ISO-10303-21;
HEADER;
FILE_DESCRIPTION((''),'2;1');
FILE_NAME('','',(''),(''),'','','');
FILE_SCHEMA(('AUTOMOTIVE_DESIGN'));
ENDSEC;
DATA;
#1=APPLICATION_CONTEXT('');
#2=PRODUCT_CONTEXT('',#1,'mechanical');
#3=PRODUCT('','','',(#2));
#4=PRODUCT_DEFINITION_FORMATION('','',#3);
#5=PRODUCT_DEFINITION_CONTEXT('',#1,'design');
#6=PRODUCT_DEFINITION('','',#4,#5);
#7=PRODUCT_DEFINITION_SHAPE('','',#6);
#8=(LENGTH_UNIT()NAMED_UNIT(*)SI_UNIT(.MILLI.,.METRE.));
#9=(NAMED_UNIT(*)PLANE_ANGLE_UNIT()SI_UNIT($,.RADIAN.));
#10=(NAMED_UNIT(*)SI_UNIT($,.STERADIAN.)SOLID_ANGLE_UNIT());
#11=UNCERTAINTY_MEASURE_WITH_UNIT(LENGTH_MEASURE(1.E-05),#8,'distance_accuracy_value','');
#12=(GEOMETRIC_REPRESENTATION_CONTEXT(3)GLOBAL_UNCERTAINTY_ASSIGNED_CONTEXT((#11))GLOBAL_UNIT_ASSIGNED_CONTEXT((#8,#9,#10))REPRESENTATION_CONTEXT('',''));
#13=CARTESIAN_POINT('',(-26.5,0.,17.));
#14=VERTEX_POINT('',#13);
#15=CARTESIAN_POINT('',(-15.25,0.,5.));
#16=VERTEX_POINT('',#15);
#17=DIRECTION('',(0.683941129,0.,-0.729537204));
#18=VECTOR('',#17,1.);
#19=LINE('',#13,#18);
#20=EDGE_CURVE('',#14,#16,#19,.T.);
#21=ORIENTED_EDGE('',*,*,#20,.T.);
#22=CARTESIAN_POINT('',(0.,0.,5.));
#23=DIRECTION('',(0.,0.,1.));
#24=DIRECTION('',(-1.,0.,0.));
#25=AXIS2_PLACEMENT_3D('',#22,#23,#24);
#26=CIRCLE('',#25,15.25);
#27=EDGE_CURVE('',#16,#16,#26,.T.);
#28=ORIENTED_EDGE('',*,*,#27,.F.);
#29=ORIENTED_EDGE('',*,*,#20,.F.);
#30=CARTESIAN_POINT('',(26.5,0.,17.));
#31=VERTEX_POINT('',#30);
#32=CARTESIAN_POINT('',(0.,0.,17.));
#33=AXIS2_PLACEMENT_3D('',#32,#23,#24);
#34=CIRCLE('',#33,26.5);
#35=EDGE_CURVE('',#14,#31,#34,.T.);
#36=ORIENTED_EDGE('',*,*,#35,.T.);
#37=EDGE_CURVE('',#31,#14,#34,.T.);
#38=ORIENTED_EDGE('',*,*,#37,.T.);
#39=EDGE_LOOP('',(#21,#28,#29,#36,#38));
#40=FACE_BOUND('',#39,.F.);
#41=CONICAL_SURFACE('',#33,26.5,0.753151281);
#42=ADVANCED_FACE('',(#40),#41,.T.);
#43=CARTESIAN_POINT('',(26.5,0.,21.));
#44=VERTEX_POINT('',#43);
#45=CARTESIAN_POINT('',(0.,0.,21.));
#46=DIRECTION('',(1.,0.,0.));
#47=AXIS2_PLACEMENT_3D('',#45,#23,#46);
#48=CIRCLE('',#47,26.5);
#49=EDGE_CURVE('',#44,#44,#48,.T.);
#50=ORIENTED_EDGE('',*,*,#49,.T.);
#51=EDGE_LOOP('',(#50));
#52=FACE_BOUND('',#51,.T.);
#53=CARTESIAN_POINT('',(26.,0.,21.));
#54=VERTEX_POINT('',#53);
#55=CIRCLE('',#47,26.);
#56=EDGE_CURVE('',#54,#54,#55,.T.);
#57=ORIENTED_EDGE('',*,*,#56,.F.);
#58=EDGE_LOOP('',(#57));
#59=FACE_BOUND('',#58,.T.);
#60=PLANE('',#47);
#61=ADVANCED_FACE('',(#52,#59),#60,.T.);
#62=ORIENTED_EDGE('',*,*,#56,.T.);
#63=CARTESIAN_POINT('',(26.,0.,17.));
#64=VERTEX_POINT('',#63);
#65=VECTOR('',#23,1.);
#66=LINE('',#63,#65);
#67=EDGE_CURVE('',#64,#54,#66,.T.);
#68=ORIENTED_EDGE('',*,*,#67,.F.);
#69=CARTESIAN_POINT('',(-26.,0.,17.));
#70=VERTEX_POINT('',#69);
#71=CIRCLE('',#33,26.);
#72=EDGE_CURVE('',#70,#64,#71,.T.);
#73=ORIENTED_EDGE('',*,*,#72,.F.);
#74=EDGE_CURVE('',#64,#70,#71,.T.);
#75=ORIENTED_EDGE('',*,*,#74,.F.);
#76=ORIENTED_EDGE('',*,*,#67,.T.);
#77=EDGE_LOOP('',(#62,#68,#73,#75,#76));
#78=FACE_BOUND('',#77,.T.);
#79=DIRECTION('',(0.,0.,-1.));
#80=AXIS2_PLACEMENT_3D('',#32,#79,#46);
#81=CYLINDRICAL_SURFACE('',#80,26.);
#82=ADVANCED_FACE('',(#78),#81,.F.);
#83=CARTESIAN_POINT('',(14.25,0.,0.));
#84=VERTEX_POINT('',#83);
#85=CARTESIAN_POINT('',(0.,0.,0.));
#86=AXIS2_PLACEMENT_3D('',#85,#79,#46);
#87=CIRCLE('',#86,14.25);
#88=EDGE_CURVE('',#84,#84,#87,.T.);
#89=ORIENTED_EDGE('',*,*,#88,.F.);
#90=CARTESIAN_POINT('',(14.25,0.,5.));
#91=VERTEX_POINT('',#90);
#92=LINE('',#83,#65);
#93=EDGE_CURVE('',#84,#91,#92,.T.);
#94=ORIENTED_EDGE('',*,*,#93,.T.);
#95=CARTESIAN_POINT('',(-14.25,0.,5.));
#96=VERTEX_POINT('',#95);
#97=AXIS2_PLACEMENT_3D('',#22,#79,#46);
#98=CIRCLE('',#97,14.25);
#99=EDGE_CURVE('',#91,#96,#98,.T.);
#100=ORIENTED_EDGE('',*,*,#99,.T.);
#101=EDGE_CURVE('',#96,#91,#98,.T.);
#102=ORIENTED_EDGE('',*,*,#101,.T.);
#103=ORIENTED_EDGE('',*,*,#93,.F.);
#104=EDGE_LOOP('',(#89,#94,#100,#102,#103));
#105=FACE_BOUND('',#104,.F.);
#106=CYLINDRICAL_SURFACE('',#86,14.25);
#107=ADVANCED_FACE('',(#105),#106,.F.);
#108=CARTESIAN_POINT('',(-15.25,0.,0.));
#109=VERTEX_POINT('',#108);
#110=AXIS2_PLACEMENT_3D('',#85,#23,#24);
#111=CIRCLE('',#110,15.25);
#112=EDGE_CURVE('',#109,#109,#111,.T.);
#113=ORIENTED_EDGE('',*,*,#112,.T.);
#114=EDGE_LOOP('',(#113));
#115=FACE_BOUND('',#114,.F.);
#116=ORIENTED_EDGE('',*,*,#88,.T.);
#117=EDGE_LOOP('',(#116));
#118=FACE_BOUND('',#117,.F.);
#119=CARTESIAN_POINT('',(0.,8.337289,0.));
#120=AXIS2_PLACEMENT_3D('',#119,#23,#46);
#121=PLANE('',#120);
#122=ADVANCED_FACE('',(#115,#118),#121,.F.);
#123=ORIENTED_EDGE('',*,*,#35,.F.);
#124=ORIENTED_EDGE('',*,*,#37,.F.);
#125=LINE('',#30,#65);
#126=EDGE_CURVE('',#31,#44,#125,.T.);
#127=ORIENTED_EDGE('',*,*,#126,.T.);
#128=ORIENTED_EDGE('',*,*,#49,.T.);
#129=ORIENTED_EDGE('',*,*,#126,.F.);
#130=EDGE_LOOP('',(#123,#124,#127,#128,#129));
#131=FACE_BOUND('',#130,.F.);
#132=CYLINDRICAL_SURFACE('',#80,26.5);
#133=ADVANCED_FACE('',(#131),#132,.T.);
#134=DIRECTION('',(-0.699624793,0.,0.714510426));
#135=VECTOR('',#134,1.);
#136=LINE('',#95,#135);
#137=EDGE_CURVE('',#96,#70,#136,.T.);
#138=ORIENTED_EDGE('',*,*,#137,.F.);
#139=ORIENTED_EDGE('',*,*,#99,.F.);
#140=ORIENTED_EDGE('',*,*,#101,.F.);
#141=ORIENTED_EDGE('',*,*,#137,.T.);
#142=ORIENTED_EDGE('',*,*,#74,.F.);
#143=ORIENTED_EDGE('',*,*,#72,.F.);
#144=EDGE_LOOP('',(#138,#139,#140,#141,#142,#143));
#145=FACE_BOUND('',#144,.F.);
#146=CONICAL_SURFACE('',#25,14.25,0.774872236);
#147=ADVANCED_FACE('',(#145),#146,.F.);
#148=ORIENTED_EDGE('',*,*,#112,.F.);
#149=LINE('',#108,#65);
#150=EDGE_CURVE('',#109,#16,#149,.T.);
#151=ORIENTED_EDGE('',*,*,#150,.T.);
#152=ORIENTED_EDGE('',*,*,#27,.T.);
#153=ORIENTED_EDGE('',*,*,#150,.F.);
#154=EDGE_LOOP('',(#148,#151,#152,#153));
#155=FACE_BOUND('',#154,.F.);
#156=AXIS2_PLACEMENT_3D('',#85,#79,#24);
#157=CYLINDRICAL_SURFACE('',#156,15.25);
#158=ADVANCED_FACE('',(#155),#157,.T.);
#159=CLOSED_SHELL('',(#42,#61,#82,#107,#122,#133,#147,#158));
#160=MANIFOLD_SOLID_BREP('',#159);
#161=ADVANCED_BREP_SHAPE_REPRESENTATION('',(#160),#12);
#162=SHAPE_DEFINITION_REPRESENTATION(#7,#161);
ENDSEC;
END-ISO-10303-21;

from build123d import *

# Parameters (mm, degrees)
F1_DEPTH = 5
F3_R     = 26.5
F3_R_2   = 26
F6_DEPTH = 4


with BuildPart() as f1:
    # F0 (on Top) → F1 (new body)
    with BuildSketch(Plane.XY):
        with BuildLine():
            ThreePointArc((-14.25, 0), (0, 14.25), (14.25, 0))
            Line((14.25, 0), (15.25, 0))
            ThreePointArc((15.25, 0), (0, 15.25), (-15.25, 0))
            Line((-15.25, 0), (-14.25, 0))
        make_face()
        with BuildLine():
            Line((15.25, 0), (14.25, 0))
            ThreePointArc((14.25, 0), (0, -14.25), (-14.25, 0))
            Line((-14.25, 0), (-15.25, 0))
            ThreePointArc((-15.25, 0), (0, -15.25), (15.25, 0))
        make_face()
    extrude(amount=F1_DEPTH)

    # F4 (on Front) → F5 (revolve)
    with BuildSketch(Plane.XZ):
        Polygon((-26.5, 17), (-15.25, 5), (-14.25, 5), (-26, 17), align=None)
    revolve(axis=Axis((0, 0, 35.630243), (0, 0, 1)))

    # F3 (on offset) → F6 (join)
    with BuildSketch(Plane.XY.offset(17)):
        Circle(F3_R)
        Circle(F3_R_2, mode=Mode.SUBTRACT)
    extrude(amount=F6_DEPTH)


solid = f1.part
